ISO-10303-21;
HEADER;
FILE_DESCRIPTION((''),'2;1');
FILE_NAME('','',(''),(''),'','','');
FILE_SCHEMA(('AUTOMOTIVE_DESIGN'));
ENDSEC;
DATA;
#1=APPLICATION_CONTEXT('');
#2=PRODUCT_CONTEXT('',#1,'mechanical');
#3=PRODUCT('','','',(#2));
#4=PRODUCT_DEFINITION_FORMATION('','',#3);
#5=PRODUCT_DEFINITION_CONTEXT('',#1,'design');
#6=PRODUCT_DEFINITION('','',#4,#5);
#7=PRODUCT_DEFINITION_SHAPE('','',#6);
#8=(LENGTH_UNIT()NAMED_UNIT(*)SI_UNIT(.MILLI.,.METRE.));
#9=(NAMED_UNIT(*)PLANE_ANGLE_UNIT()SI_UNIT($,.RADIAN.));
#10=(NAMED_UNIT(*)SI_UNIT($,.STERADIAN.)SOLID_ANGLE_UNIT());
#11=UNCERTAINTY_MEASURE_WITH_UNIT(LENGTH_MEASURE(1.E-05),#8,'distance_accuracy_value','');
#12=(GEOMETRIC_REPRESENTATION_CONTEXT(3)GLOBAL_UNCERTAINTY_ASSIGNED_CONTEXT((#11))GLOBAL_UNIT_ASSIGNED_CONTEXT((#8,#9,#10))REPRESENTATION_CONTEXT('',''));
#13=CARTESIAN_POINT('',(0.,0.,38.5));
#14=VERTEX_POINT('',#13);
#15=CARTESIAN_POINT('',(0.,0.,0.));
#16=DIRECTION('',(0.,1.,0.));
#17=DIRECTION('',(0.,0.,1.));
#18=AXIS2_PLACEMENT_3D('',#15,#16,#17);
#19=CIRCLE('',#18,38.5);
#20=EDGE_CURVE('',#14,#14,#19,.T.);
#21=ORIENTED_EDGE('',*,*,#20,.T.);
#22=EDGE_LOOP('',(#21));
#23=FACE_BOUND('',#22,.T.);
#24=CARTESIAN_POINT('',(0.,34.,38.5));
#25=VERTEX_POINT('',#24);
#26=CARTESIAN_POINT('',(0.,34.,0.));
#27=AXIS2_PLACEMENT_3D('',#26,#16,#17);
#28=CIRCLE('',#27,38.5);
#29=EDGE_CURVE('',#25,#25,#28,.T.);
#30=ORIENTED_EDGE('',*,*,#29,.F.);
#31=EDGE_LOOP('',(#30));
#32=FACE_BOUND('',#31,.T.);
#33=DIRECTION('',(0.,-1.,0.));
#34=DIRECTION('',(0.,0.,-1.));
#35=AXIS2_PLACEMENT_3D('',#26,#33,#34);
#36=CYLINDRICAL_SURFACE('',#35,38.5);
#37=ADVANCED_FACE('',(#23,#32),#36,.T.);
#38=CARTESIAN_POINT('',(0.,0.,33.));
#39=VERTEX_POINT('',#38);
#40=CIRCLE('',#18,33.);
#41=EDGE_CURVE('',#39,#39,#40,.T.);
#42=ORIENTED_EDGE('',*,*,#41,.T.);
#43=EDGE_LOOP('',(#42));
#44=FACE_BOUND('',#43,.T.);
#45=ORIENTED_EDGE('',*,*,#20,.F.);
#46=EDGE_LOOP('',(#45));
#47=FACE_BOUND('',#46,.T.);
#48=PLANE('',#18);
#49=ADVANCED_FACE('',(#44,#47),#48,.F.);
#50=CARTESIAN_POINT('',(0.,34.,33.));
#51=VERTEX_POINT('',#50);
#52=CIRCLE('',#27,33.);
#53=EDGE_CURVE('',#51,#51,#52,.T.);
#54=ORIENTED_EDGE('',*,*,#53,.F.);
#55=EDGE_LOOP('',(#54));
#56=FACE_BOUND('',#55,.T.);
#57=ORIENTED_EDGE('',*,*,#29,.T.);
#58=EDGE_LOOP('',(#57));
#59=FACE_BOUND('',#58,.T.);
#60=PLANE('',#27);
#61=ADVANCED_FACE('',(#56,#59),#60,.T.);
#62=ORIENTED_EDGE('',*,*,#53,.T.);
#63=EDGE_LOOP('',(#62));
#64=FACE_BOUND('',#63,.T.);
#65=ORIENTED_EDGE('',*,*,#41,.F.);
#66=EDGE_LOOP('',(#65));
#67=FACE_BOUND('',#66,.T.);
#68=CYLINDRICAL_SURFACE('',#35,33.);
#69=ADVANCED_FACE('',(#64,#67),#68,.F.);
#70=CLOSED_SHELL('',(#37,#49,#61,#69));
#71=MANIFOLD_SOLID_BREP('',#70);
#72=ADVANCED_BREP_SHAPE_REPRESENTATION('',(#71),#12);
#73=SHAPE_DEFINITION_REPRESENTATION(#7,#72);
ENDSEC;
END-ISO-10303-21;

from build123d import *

# Parameters (mm, degrees)
ESBO_O1_R                = 38.5
ESBO_O1_R_2              = 33
RESSALTO_EXTRUS_O1_DEPTH = 34


with BuildPart() as part:
    # Esboço1 → Ressalto-extrusão1 (new body)
    with BuildSketch(Plane(origin=(0, 0, 0), x_dir=(1, 0, 0), z_dir=(0, 1, 0))):
        with Locations(Location((0, 0, 0), (0, 0, 270))):
            Circle(ESBO_O1_R)
        with Locations(Location((0, 0, 0), (0, 0, 270))):
            Circle(ESBO_O1_R_2, mode=Mode.SUBTRACT)
    extrude(amount=RESSALTO_EXTRUS_O1_DEPTH)


solid = part.part
